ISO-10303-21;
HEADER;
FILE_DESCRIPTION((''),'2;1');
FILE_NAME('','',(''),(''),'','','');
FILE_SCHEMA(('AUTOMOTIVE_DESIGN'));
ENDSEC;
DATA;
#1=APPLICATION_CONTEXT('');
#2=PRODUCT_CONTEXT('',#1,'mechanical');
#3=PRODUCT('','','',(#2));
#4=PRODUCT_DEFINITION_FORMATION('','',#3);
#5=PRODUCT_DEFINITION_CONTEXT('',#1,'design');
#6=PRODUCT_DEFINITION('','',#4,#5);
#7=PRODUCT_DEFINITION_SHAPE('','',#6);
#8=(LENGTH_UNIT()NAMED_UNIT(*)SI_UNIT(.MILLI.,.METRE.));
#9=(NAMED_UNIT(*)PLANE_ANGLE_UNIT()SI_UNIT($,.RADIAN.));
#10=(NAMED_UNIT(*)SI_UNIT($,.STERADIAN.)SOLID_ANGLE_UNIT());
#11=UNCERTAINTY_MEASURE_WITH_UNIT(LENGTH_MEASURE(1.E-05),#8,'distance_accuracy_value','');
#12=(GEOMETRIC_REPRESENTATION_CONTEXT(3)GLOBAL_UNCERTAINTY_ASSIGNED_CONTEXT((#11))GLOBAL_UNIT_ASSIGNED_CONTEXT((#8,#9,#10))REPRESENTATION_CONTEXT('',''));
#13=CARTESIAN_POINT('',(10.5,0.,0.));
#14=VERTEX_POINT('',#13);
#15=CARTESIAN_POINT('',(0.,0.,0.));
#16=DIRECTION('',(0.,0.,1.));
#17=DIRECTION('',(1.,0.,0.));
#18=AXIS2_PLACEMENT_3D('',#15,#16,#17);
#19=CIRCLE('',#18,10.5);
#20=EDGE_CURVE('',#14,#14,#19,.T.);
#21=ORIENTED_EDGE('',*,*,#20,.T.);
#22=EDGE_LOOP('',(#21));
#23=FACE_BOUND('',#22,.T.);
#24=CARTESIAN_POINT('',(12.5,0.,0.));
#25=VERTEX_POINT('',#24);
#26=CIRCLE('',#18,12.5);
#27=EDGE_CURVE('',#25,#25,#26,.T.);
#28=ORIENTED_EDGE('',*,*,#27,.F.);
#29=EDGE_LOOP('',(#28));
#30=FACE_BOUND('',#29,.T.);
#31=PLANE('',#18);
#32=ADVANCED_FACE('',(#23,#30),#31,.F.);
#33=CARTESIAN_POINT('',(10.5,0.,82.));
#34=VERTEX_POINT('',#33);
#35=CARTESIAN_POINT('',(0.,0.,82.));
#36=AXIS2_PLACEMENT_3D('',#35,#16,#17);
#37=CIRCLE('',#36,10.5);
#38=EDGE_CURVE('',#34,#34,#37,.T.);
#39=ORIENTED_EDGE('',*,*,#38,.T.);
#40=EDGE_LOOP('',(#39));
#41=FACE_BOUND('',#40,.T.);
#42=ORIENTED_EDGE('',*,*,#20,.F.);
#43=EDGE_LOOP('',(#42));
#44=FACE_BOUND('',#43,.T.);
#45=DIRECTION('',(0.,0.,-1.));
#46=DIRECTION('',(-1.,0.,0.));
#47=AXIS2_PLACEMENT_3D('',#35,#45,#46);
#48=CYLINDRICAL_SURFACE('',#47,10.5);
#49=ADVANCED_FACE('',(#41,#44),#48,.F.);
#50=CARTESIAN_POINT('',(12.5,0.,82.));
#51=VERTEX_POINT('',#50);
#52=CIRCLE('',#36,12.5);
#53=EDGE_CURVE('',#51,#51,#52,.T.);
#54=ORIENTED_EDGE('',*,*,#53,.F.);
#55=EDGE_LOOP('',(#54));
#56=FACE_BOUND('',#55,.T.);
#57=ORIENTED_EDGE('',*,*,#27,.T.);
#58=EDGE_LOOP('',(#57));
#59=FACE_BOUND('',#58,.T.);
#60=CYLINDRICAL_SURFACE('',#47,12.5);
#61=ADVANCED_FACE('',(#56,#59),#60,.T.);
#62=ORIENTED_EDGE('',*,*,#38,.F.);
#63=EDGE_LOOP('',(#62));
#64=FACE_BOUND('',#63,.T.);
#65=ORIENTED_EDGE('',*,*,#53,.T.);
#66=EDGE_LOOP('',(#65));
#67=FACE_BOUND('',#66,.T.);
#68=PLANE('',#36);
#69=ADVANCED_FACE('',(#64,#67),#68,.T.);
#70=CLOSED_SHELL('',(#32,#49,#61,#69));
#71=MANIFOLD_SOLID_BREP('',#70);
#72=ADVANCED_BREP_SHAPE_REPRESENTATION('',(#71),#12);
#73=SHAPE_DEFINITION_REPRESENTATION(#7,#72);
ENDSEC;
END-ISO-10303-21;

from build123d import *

# Parameters (mm, degrees)
SCHIZZO1_R                   = 12.5
SCHIZZO1_R_2                 = 10.5
ESTRUSIONE_ESTRUSIONE1_DEPTH = 82


with BuildPart() as part:
    # Schizzo1 → Estrusione-Estrusione1 (new body)
    with BuildSketch(Plane.XY):
        Circle(SCHIZZO1_R)
        Circle(SCHIZZO1_R_2, mode=Mode.SUBTRACT)
    extrude(amount=ESTRUSIONE_ESTRUSIONE1_DEPTH)


solid = part.part
